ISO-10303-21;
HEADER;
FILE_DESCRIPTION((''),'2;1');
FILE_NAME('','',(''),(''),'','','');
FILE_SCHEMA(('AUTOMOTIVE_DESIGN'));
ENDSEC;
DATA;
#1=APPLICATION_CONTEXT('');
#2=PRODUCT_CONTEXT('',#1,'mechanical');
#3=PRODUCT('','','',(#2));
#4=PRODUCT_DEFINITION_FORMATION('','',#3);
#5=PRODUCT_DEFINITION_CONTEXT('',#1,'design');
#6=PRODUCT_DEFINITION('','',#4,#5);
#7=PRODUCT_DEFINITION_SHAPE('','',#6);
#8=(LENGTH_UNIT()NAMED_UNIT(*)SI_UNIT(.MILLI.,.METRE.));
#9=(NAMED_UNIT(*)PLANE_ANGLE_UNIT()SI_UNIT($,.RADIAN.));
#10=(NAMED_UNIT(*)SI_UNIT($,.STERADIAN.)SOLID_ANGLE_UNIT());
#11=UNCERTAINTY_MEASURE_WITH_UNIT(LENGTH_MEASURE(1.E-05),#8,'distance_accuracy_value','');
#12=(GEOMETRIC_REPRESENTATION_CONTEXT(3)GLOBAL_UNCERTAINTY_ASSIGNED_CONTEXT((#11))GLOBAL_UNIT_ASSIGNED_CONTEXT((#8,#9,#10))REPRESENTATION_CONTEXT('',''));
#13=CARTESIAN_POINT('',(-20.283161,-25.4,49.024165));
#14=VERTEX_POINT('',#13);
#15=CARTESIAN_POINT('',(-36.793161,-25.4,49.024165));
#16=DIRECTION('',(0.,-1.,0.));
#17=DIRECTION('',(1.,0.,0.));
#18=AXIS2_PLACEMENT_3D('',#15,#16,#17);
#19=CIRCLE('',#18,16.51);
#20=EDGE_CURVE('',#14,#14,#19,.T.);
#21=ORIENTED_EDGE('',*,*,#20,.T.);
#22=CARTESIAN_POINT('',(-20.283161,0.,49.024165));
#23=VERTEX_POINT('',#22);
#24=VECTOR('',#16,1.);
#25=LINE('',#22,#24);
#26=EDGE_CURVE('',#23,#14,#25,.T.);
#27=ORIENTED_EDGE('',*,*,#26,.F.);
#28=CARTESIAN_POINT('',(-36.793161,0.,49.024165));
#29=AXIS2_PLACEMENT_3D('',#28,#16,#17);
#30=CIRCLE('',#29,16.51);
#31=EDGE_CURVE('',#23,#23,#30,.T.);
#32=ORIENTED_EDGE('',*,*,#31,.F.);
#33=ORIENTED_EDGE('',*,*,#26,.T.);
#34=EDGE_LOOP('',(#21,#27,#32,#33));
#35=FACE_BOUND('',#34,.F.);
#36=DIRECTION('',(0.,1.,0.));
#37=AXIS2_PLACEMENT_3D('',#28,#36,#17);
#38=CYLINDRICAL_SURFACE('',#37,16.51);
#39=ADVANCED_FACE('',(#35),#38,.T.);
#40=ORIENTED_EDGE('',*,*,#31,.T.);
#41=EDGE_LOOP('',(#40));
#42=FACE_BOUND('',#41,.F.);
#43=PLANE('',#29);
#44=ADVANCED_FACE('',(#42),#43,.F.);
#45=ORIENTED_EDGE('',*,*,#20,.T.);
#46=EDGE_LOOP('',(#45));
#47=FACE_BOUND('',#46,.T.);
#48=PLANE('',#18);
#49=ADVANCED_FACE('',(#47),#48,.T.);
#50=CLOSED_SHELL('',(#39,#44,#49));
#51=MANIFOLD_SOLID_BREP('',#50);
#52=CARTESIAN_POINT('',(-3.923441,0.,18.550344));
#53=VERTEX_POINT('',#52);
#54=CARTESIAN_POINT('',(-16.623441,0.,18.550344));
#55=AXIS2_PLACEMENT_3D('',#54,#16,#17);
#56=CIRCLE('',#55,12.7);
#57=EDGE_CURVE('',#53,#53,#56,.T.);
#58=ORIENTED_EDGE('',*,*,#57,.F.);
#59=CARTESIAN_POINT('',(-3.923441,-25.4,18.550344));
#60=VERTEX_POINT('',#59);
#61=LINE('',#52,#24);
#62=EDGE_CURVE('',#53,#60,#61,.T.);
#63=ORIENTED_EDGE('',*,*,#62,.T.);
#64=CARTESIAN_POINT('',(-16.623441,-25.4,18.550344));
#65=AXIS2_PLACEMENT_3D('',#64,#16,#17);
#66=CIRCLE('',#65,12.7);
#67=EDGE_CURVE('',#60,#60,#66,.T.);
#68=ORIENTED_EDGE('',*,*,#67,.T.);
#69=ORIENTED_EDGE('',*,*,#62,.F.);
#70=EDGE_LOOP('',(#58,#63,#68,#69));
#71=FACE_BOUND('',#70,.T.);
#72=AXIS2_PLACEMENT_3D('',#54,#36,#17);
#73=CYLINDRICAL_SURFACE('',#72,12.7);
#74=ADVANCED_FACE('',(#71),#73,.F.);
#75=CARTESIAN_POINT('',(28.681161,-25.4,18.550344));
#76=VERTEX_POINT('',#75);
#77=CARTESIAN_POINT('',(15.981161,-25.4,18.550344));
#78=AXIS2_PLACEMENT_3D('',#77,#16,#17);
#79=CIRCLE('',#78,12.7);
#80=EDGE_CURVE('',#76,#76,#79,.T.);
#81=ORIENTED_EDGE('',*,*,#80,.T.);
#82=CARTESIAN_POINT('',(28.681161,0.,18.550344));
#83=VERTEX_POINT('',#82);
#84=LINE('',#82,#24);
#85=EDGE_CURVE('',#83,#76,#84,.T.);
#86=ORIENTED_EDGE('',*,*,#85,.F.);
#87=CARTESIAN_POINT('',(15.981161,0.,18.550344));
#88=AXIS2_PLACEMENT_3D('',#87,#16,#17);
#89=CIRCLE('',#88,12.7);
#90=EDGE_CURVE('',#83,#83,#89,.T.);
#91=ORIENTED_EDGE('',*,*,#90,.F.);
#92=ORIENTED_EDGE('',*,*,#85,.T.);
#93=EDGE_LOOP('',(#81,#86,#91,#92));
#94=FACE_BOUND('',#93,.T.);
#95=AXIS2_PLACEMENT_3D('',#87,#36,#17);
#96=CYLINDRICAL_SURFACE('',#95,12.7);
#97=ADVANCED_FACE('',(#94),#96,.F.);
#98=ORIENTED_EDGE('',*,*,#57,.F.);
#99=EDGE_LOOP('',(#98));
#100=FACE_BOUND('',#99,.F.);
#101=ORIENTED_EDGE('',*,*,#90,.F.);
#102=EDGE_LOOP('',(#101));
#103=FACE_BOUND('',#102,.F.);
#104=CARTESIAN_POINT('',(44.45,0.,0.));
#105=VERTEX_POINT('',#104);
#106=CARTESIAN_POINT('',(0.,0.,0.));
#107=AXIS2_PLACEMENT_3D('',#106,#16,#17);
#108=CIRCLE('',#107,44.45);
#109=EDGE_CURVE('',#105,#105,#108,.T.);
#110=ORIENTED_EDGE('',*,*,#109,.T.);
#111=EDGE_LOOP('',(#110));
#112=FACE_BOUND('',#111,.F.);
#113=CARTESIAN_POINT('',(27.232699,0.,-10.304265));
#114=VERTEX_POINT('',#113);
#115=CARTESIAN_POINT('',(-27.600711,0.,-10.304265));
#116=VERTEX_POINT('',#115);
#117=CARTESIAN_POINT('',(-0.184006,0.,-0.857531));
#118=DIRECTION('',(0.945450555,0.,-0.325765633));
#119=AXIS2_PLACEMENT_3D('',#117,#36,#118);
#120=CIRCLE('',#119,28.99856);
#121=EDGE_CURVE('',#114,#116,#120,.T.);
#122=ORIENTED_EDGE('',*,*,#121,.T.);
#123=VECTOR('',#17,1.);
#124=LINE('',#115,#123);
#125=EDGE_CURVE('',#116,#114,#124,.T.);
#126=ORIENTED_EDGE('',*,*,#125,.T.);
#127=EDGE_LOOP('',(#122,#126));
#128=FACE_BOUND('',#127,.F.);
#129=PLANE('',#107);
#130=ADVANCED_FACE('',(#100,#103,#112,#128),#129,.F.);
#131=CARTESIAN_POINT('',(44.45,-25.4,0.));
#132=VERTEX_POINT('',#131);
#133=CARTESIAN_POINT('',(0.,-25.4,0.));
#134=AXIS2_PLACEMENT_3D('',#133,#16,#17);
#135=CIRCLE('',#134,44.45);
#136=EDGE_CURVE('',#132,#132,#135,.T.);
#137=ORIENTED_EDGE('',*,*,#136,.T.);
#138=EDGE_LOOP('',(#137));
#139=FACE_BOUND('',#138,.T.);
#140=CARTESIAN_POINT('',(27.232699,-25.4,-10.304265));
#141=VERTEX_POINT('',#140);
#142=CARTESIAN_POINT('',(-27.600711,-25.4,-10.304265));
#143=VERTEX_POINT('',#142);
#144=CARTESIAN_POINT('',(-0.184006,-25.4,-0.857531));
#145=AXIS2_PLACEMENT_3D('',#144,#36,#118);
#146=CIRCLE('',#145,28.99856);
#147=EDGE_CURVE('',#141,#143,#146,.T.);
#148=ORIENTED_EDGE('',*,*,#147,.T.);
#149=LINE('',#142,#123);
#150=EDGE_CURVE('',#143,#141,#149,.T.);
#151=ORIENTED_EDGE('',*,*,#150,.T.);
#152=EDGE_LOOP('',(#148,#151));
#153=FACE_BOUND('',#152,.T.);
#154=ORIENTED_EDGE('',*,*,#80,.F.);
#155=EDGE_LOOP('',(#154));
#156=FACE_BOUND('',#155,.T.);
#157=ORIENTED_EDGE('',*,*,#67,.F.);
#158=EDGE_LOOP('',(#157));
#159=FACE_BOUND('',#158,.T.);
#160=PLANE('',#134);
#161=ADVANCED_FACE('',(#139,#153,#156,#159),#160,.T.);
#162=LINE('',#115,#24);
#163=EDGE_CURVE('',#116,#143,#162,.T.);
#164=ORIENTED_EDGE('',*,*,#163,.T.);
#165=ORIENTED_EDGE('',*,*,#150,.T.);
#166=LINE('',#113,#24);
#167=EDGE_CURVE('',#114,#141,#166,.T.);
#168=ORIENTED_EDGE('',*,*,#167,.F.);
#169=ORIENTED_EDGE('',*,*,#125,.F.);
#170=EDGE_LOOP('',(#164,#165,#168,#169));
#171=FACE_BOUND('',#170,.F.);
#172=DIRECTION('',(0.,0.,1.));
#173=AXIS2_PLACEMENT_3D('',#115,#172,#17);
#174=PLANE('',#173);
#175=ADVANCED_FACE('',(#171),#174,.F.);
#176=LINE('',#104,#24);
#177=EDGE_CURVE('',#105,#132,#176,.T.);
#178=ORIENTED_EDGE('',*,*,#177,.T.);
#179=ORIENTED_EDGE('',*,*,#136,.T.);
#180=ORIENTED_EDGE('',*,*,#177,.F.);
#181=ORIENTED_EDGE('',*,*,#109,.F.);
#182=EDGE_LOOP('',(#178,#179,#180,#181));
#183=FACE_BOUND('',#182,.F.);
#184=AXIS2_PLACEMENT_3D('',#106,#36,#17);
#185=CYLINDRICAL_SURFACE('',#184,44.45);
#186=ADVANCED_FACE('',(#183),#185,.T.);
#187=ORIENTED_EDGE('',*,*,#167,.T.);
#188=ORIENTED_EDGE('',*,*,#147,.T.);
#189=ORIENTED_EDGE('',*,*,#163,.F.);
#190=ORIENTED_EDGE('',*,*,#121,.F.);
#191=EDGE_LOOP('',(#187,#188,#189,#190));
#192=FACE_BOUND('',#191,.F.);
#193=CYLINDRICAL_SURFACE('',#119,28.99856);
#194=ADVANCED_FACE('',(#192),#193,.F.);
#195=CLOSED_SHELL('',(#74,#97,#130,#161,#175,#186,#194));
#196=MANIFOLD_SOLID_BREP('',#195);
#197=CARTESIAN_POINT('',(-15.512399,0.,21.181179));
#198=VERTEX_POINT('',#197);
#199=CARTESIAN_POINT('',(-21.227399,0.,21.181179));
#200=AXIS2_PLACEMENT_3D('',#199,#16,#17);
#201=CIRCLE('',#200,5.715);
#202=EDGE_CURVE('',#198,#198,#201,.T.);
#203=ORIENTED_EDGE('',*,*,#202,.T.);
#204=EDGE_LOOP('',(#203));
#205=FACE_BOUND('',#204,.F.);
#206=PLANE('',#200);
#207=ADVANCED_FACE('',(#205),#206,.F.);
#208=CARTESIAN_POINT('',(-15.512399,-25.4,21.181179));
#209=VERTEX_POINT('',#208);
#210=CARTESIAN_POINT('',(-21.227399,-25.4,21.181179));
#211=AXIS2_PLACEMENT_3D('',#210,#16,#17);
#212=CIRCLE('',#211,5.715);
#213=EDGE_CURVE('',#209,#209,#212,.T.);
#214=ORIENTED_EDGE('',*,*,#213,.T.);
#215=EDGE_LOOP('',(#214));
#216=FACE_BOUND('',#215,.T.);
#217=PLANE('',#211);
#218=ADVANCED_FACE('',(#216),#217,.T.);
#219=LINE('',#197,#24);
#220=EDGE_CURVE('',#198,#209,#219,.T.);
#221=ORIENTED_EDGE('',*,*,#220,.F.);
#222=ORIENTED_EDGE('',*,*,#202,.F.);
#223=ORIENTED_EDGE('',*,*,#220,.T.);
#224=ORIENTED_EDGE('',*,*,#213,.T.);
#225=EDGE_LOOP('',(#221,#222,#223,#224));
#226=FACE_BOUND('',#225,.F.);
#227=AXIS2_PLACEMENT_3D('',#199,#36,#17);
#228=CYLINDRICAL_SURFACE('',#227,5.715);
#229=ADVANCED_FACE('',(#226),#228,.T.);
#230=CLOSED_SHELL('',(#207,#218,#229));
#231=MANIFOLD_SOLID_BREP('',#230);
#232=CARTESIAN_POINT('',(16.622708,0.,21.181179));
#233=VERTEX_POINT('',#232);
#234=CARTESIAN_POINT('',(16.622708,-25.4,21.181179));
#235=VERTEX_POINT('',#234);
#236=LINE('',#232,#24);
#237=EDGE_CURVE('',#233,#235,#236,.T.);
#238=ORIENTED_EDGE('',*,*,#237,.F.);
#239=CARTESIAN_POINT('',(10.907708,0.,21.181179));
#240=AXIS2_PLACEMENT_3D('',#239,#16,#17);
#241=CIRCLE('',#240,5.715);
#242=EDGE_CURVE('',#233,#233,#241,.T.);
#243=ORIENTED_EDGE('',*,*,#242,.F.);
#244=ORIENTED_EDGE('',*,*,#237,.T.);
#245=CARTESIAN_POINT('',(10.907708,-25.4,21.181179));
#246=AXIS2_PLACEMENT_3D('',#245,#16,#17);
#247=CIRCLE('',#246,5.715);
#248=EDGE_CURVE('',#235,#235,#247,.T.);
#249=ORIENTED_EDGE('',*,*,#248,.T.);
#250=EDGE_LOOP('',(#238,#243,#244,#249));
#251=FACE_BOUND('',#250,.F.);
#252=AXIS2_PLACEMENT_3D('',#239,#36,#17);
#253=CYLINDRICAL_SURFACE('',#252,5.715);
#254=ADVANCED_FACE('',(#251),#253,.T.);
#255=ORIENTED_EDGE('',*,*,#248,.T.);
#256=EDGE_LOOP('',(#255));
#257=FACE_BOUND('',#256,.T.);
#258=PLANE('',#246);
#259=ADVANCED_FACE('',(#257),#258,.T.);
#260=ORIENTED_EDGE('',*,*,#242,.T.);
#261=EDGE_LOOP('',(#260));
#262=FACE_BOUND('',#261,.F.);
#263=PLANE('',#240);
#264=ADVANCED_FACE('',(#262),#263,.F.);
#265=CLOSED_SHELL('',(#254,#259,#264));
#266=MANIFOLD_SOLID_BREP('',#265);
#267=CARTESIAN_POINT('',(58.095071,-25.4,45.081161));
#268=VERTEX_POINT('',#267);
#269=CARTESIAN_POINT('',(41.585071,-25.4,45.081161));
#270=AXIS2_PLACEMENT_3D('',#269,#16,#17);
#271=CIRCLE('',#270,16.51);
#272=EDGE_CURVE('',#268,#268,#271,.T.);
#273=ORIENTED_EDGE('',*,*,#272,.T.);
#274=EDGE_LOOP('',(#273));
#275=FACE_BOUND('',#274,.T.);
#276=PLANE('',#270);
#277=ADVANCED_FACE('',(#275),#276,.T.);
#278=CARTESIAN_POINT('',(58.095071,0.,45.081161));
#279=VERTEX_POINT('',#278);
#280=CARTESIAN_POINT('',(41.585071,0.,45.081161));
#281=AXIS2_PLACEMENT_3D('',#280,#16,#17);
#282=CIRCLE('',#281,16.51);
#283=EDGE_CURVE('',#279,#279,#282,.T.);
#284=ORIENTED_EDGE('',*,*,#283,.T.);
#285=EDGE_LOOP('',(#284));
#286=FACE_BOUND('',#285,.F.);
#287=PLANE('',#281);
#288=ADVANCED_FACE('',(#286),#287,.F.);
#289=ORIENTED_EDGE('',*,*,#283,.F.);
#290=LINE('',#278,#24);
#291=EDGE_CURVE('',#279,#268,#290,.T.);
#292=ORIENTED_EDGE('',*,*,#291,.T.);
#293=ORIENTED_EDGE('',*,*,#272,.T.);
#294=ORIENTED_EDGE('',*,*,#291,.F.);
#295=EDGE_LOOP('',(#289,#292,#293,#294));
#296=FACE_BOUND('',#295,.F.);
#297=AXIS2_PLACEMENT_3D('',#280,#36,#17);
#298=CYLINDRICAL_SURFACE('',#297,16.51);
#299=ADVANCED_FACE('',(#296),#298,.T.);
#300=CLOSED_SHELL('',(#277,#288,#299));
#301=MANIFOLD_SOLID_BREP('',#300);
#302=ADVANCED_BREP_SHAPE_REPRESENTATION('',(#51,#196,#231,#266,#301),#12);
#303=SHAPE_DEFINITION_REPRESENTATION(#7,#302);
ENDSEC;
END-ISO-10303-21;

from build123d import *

# Parameters (mm, degrees)
F0_R     = 16.51
F0_R_2   = 44.45
F0_R_3   = 12.7
F0_R_4   = 5.715
F1_DEPTH = 25.4


with BuildPart() as f1:
    # F0 (on Front) → F1 (new body)
    with BuildSketch(Plane.XZ):
        with Locations((41.585071, 45.081161)):
            Circle(F0_R)
        with Locations((-36.793161, 49.024165)):
            Circle(F0_R)
        Circle(F0_R_2)
        with BuildLine():
            ThreePointArc((27.232699, -10.304265), (-0.184006, -29.856091), (-27.600711, -10.304265))
            Line((-27.600711, -10.304265), (27.232699, -10.304265))
        make_face(mode=Mode.SUBTRACT)
        with Locations((-16.623441, 18.550344)):
            Circle(F0_R_3, mode=Mode.SUBTRACT)
        with Locations((15.981161, 18.550344)):
            Circle(F0_R_3, mode=Mode.SUBTRACT)
        with Locations((-21.227399, 21.181179)):
            Circle(F0_R_4)
        with Locations((10.907708, 21.181179)):
            Circle(F0_R_4)
    extrude(amount=F1_DEPTH)


solid = f1.part
